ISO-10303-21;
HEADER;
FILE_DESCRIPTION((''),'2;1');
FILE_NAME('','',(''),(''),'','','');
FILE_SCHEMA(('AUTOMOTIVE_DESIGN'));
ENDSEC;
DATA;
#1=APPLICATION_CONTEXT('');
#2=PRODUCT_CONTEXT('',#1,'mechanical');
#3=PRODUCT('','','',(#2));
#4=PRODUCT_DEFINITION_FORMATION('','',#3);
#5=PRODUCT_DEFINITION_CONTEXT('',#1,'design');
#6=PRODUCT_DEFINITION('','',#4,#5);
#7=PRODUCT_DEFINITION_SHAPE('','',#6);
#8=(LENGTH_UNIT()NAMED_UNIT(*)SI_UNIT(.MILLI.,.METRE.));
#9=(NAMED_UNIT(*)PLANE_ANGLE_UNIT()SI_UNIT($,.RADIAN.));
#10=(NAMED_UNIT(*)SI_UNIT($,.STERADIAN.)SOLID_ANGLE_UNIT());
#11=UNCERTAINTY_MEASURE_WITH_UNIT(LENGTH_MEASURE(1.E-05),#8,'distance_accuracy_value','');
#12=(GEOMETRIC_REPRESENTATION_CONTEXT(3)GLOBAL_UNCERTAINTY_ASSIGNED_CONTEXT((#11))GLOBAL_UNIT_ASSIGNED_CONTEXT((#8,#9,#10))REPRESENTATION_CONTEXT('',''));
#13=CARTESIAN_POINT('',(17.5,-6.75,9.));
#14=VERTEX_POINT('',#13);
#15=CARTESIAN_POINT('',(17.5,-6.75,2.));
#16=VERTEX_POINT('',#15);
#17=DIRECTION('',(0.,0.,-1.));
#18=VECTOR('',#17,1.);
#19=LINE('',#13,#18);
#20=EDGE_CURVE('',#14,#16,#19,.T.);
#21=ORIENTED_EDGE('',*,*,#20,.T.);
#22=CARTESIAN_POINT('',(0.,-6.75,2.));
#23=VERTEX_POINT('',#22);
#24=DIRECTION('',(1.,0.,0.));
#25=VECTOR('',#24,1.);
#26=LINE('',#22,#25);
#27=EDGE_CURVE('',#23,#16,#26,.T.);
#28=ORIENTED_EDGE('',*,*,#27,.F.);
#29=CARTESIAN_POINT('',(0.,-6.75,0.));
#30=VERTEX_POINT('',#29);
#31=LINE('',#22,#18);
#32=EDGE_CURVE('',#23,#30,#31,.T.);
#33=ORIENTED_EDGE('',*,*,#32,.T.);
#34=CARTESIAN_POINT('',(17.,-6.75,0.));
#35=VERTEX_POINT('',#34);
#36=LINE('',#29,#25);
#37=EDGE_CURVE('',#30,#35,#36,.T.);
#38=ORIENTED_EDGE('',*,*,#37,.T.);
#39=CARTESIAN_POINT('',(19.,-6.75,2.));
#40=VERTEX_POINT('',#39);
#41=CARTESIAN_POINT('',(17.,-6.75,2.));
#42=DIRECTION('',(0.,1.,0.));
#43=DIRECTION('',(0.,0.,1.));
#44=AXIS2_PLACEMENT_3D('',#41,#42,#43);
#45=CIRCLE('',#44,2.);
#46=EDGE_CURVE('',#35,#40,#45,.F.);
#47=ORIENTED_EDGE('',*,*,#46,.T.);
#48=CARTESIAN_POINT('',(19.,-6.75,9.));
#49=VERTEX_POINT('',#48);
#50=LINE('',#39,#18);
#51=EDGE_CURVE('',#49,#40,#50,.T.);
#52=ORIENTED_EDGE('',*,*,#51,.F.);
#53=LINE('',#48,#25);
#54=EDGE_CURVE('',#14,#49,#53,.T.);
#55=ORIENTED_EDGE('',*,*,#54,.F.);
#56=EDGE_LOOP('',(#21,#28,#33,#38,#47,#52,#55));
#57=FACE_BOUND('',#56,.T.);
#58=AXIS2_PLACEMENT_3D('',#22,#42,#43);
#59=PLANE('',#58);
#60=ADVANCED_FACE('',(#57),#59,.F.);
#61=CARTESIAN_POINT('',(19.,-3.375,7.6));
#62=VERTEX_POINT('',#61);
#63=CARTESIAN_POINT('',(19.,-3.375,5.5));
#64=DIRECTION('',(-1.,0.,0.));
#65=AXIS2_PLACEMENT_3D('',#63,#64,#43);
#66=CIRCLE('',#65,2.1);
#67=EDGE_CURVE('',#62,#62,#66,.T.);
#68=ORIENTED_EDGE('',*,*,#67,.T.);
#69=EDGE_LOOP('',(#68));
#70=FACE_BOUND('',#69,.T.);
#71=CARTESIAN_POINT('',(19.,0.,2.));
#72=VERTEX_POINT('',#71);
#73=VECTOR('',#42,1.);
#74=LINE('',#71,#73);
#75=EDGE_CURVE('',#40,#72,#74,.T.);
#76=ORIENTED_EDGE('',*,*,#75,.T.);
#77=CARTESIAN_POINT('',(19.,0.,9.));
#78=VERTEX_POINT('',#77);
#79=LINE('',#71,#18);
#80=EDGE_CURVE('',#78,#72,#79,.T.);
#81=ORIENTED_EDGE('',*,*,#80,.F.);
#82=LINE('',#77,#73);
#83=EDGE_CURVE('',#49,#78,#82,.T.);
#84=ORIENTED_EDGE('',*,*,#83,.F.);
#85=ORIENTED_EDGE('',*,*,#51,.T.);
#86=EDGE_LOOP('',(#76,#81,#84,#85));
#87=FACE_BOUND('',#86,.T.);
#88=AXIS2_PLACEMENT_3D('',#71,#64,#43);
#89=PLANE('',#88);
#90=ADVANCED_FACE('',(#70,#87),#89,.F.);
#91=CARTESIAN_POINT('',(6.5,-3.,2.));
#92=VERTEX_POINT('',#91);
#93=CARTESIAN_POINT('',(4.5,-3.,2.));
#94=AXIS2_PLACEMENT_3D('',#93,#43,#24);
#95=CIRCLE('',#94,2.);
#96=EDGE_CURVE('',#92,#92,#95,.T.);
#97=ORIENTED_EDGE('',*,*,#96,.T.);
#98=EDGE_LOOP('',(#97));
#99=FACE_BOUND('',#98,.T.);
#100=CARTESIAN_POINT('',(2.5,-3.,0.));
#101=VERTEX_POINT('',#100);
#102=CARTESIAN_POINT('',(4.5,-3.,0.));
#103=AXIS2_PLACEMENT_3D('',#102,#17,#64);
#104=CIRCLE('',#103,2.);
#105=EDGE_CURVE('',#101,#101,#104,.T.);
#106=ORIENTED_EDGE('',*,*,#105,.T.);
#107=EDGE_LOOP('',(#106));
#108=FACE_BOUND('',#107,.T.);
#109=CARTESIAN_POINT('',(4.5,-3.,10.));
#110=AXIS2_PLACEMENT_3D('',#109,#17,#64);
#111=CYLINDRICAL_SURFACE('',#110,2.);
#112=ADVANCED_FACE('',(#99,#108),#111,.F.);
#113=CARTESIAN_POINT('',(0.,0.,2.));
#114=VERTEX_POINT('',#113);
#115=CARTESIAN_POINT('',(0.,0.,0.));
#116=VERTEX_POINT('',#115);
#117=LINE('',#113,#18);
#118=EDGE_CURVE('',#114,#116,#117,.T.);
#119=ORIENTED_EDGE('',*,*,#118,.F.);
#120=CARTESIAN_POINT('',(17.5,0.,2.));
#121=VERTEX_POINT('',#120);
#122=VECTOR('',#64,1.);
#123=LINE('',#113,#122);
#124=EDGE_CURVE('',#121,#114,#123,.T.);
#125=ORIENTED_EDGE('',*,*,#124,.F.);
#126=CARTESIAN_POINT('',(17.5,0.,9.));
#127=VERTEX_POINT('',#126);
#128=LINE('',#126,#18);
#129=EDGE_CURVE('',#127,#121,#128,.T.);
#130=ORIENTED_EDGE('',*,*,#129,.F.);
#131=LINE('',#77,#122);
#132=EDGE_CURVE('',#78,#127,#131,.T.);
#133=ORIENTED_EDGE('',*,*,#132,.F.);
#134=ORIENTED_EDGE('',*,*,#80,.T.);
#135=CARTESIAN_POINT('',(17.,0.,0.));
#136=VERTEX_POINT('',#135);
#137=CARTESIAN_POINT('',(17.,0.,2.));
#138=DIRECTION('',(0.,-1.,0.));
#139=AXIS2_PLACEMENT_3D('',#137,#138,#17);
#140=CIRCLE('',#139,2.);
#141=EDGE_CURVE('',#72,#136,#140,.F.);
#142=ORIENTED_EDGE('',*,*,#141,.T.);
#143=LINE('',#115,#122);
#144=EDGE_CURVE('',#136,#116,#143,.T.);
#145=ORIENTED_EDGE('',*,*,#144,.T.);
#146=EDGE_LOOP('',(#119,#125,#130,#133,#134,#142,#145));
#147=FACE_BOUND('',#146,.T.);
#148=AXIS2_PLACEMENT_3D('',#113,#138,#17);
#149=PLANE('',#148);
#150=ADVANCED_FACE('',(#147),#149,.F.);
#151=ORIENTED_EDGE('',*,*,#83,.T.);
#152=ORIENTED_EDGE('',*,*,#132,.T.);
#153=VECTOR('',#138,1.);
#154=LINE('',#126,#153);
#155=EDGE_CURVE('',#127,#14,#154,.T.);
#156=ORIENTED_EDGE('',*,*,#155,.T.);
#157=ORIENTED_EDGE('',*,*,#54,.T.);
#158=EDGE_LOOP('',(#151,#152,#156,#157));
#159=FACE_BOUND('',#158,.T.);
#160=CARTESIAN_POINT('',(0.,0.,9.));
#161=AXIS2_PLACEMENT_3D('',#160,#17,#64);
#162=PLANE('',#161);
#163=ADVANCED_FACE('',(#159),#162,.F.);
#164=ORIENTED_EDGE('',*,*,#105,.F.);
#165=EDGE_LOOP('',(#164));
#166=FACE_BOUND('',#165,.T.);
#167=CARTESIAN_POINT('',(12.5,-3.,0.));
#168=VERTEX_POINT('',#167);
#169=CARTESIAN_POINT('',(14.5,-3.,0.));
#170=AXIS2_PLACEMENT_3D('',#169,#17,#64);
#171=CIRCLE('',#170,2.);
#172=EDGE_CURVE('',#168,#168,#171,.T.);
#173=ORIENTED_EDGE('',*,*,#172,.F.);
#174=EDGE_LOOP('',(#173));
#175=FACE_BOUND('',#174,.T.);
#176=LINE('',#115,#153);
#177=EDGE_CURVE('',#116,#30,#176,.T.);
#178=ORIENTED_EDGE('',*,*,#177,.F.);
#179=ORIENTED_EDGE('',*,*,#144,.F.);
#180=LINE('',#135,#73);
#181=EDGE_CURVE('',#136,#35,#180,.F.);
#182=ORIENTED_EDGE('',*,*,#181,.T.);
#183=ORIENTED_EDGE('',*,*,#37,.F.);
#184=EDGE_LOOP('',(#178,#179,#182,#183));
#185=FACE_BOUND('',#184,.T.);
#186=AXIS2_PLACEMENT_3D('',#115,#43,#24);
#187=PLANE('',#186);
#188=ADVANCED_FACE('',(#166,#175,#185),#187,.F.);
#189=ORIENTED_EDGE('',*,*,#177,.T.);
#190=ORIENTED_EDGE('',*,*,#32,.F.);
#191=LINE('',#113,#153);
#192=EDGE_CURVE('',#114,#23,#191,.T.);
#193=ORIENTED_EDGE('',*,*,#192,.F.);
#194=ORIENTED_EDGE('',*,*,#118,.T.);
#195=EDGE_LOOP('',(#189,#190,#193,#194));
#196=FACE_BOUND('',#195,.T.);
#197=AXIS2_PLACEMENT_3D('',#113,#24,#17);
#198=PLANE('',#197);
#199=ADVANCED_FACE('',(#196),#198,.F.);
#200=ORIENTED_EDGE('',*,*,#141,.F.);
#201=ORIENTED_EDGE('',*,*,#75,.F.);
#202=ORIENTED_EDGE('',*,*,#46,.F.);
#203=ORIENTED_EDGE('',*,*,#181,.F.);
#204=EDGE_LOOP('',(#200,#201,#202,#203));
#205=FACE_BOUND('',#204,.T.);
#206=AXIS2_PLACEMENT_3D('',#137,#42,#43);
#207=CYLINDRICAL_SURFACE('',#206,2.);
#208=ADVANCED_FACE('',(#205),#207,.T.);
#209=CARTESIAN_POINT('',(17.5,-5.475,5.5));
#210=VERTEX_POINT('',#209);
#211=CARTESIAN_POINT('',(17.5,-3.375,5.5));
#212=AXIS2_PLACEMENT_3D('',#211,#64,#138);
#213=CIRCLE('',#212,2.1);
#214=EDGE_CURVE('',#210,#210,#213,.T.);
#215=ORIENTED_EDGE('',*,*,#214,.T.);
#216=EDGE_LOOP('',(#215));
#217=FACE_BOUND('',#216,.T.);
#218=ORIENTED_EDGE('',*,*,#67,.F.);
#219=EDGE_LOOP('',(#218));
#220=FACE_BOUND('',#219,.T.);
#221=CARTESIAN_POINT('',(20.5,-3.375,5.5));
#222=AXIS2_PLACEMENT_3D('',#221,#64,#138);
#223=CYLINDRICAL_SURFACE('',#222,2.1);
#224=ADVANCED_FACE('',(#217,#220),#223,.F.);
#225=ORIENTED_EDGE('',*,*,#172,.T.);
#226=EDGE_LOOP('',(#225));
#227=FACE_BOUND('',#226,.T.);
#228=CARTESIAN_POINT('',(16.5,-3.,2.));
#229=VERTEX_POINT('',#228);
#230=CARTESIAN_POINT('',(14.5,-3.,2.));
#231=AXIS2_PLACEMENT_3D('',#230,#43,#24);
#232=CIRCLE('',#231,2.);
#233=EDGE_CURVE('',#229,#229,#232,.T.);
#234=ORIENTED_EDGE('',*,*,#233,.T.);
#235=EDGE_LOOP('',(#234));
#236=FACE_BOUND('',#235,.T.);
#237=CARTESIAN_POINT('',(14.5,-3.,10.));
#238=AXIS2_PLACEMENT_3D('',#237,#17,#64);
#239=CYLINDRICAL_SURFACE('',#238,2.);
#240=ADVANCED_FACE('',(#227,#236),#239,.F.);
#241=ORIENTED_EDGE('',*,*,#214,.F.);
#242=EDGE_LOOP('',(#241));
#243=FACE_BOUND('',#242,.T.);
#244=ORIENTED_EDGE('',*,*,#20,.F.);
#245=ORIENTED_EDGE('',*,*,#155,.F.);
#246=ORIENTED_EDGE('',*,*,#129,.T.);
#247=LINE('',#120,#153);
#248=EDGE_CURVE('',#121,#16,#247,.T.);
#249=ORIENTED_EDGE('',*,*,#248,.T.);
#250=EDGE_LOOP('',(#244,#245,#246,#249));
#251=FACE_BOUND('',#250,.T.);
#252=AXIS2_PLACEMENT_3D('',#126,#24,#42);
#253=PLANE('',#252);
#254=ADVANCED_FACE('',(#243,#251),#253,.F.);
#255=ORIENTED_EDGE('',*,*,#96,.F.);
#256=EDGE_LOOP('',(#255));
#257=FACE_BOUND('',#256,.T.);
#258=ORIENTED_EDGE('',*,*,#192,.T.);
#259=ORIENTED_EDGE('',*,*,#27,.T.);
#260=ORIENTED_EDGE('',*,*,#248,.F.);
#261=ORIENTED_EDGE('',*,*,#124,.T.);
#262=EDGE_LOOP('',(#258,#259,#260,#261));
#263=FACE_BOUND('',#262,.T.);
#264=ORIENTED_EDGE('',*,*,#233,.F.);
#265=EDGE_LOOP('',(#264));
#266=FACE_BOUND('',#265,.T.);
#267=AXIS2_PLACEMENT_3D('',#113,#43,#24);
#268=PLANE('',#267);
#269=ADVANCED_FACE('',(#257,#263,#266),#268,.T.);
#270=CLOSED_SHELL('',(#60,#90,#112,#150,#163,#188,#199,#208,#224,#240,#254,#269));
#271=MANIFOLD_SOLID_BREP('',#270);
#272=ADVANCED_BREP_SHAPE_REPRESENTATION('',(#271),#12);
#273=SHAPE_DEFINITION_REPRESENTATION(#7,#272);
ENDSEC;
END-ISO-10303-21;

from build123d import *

# Parameters (mm, degrees)
ESQUISSE1_W             = 19
ESQUISSE1_H             = 6.75
BOSS_EXTRU_1_DEPTH      = 2
ESQUISSE4_R             = 2
ENL_V_MAT_EXTRU_1_DEPTH = 10
ESQUISSE6_W             = 1.5
ESQUISSE6_H             = 6.75
BOSS_EXTRU_2_DEPTH      = 7
CONG_1_R                = 2
ESQUISSE7_R             = 2.1
ENL_V_MAT_EXTRU_2_DEPTH = 3


with BuildPart() as part:
    # Esquisse1 → Boss.-Extru.1 (new body)
    with BuildSketch(Plane.XY):
        with Locations((9.5, -3.375)):
            Rectangle(ESQUISSE1_W, ESQUISSE1_H)
    extrude(amount=BOSS_EXTRU_1_DEPTH)

    # Esquisse4 → Enlèv. mat.-Extru.1 (cut)
    with BuildSketch(Plane(origin=(0, 0, 0), x_dir=(-1, 0, 0), z_dir=(0, 0, -1))):
        with Locations((-14.5, -3)):
            Circle(ESQUISSE4_R)
        with Locations((-4.5, -3)):
            Circle(ESQUISSE4_R)
    extrude(amount=-ENL_V_MAT_EXTRU_1_DEPTH, mode=Mode.SUBTRACT)

    # Esquisse6 → Boss.-Extru.2 (add)
    with BuildSketch(Plane.XY.offset(2)):
        with Locations((18.25, -3.375)):
            Rectangle(ESQUISSE6_W, ESQUISSE6_H)
    extrude(amount=BOSS_EXTRU_2_DEPTH)

    # Congé1
    cong_1_edges = [part.edges().sort_by_distance(p)[0] for p in [
        (19, -3.375, 0),
    ]]
    fillet(cong_1_edges, radius=CONG_1_R)

    # Esquisse7 → Enlèv. mat.-Extru.2 (cut)
    with BuildSketch(Plane.ZY.offset(-17.5)):
        with Locations((5.5, -3.375)):
            Circle(ESQUISSE7_R)
    extrude(amount=-ENL_V_MAT_EXTRU_2_DEPTH, mode=Mode.SUBTRACT)


solid = part.part
